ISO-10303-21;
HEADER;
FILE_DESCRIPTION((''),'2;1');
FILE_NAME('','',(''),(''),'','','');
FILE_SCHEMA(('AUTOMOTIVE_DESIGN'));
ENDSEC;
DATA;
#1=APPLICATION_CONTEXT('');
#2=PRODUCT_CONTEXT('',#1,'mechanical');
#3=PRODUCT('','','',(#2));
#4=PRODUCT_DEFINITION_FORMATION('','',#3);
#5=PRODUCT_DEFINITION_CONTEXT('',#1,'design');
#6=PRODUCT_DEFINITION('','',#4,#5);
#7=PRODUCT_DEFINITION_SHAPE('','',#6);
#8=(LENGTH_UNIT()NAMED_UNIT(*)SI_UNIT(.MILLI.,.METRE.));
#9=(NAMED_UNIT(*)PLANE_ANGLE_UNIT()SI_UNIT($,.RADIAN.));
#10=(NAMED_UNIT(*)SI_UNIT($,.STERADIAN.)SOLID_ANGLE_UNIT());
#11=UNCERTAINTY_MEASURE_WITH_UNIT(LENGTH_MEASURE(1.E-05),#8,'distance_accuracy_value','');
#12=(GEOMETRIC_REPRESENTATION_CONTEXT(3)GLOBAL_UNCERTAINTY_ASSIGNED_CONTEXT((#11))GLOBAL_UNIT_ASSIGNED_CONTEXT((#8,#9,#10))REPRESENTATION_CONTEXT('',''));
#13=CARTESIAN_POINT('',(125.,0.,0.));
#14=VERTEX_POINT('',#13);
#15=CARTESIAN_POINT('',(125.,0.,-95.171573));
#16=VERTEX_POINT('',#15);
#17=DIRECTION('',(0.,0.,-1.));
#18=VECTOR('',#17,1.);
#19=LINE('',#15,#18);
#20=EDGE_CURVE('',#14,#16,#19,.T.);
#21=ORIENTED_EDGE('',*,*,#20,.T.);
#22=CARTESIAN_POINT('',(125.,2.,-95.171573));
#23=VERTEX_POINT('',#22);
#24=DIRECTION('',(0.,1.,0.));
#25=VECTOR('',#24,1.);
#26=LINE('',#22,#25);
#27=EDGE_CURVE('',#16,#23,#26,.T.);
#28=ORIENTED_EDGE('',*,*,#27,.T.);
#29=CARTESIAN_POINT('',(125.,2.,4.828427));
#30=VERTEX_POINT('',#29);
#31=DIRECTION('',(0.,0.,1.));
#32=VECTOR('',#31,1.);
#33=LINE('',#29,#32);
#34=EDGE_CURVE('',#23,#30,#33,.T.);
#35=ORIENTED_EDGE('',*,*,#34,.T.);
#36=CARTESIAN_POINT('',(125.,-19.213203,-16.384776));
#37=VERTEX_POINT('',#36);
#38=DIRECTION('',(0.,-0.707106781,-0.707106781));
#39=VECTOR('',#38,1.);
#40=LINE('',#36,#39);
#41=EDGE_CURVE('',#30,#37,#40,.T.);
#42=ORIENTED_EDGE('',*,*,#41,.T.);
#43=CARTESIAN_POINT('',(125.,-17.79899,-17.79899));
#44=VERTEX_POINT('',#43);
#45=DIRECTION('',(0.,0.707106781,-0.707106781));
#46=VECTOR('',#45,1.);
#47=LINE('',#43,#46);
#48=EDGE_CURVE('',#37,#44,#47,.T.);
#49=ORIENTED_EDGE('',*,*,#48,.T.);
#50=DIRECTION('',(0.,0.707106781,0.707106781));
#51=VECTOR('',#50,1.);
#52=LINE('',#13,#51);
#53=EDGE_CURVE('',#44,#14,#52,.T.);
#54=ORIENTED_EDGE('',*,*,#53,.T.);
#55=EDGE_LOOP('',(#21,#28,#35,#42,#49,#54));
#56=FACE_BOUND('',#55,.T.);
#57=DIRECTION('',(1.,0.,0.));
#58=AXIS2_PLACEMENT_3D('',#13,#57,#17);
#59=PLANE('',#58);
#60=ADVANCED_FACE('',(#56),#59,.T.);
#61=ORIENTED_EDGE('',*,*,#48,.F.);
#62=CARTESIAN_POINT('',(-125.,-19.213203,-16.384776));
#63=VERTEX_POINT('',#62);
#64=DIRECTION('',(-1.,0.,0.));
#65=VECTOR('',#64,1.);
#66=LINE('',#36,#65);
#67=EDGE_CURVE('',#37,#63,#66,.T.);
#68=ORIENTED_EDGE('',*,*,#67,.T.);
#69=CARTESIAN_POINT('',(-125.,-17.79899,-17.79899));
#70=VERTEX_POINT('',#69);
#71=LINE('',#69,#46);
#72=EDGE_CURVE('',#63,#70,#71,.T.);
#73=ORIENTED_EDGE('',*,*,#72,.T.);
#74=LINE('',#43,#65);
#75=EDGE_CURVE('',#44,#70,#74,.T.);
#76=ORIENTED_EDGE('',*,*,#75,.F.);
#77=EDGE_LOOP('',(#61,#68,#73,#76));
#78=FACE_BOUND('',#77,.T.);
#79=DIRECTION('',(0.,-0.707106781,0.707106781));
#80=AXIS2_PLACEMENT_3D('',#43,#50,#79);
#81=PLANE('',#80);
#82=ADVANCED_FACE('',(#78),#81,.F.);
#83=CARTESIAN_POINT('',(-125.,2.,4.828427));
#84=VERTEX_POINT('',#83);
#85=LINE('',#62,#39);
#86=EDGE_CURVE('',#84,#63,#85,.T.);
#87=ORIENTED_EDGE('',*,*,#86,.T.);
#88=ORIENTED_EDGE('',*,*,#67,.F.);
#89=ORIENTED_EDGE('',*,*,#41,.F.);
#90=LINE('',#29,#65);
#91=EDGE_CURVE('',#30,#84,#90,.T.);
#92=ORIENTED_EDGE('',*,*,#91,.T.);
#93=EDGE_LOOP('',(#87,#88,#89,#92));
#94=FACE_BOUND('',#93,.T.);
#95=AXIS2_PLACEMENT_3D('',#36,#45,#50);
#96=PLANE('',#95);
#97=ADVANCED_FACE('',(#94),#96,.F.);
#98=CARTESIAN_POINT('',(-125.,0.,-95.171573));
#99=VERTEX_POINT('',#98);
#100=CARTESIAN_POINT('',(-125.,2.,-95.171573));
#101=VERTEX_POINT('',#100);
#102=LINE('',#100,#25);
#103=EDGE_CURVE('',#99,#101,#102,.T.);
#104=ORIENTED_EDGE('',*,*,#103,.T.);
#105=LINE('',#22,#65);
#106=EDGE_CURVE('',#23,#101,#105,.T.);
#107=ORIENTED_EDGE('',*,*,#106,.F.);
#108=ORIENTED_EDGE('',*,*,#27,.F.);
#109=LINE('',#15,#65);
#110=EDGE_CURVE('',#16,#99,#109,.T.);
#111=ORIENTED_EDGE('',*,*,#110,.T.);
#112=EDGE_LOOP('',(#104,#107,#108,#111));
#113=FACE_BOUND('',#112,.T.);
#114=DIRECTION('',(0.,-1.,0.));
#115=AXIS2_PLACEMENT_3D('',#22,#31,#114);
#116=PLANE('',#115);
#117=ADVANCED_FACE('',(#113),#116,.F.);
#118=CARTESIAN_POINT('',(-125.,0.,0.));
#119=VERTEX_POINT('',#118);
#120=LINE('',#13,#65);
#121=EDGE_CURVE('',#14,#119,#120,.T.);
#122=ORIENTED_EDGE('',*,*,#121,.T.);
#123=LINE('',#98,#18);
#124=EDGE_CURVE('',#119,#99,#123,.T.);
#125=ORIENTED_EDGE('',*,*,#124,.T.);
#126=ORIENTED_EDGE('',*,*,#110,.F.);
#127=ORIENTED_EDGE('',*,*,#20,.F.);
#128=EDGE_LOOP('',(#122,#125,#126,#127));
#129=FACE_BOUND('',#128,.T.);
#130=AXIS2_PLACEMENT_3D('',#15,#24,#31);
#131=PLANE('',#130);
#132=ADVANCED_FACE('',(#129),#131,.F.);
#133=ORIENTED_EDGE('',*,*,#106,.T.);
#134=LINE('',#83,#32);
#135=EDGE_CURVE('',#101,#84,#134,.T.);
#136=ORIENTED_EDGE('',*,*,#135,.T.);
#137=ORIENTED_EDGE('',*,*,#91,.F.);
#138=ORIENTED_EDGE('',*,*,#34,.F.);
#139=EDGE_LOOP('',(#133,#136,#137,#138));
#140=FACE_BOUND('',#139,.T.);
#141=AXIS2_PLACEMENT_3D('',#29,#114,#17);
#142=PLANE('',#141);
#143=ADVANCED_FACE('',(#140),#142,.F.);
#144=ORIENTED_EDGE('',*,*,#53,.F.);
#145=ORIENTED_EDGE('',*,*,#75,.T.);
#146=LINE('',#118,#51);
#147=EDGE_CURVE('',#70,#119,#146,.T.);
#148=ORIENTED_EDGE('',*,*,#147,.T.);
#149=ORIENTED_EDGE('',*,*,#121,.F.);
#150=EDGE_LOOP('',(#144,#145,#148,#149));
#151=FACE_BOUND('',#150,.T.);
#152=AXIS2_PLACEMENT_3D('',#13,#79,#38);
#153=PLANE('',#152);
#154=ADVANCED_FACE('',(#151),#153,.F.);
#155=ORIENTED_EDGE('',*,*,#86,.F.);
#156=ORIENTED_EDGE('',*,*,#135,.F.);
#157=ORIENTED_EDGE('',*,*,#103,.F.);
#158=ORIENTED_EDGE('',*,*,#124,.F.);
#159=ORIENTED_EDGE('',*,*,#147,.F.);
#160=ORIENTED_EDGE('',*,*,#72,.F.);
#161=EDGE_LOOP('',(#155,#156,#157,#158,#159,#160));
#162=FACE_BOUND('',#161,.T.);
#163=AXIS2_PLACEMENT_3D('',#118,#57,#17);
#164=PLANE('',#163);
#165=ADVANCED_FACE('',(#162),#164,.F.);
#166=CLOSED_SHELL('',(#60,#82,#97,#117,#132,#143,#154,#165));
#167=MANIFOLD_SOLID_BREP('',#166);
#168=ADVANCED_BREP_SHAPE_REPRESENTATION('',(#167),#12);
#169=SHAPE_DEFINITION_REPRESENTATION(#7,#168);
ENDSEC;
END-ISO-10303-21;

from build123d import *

# Parameters (mm, degrees)
BOSS_EXTRU_1_DEPTH = 125


with BuildPart() as part:
    # Esquisse1 → Boss.-Extru.1 (new, symmetric)
    with BuildSketch(Plane(origin=(0, 0, 0), x_dir=(0, 0, -1), z_dir=(1, 0, 0))):
        Polygon((0, 0), (17.798989873, -17.798989873), (16.384776311, -19.213203436), (-4.828427125, 2), (95.171572875, 2), (95.171572875, 0), align=None)
    extrude(amount=BOSS_EXTRU_1_DEPTH, both=True)


solid = part.part
